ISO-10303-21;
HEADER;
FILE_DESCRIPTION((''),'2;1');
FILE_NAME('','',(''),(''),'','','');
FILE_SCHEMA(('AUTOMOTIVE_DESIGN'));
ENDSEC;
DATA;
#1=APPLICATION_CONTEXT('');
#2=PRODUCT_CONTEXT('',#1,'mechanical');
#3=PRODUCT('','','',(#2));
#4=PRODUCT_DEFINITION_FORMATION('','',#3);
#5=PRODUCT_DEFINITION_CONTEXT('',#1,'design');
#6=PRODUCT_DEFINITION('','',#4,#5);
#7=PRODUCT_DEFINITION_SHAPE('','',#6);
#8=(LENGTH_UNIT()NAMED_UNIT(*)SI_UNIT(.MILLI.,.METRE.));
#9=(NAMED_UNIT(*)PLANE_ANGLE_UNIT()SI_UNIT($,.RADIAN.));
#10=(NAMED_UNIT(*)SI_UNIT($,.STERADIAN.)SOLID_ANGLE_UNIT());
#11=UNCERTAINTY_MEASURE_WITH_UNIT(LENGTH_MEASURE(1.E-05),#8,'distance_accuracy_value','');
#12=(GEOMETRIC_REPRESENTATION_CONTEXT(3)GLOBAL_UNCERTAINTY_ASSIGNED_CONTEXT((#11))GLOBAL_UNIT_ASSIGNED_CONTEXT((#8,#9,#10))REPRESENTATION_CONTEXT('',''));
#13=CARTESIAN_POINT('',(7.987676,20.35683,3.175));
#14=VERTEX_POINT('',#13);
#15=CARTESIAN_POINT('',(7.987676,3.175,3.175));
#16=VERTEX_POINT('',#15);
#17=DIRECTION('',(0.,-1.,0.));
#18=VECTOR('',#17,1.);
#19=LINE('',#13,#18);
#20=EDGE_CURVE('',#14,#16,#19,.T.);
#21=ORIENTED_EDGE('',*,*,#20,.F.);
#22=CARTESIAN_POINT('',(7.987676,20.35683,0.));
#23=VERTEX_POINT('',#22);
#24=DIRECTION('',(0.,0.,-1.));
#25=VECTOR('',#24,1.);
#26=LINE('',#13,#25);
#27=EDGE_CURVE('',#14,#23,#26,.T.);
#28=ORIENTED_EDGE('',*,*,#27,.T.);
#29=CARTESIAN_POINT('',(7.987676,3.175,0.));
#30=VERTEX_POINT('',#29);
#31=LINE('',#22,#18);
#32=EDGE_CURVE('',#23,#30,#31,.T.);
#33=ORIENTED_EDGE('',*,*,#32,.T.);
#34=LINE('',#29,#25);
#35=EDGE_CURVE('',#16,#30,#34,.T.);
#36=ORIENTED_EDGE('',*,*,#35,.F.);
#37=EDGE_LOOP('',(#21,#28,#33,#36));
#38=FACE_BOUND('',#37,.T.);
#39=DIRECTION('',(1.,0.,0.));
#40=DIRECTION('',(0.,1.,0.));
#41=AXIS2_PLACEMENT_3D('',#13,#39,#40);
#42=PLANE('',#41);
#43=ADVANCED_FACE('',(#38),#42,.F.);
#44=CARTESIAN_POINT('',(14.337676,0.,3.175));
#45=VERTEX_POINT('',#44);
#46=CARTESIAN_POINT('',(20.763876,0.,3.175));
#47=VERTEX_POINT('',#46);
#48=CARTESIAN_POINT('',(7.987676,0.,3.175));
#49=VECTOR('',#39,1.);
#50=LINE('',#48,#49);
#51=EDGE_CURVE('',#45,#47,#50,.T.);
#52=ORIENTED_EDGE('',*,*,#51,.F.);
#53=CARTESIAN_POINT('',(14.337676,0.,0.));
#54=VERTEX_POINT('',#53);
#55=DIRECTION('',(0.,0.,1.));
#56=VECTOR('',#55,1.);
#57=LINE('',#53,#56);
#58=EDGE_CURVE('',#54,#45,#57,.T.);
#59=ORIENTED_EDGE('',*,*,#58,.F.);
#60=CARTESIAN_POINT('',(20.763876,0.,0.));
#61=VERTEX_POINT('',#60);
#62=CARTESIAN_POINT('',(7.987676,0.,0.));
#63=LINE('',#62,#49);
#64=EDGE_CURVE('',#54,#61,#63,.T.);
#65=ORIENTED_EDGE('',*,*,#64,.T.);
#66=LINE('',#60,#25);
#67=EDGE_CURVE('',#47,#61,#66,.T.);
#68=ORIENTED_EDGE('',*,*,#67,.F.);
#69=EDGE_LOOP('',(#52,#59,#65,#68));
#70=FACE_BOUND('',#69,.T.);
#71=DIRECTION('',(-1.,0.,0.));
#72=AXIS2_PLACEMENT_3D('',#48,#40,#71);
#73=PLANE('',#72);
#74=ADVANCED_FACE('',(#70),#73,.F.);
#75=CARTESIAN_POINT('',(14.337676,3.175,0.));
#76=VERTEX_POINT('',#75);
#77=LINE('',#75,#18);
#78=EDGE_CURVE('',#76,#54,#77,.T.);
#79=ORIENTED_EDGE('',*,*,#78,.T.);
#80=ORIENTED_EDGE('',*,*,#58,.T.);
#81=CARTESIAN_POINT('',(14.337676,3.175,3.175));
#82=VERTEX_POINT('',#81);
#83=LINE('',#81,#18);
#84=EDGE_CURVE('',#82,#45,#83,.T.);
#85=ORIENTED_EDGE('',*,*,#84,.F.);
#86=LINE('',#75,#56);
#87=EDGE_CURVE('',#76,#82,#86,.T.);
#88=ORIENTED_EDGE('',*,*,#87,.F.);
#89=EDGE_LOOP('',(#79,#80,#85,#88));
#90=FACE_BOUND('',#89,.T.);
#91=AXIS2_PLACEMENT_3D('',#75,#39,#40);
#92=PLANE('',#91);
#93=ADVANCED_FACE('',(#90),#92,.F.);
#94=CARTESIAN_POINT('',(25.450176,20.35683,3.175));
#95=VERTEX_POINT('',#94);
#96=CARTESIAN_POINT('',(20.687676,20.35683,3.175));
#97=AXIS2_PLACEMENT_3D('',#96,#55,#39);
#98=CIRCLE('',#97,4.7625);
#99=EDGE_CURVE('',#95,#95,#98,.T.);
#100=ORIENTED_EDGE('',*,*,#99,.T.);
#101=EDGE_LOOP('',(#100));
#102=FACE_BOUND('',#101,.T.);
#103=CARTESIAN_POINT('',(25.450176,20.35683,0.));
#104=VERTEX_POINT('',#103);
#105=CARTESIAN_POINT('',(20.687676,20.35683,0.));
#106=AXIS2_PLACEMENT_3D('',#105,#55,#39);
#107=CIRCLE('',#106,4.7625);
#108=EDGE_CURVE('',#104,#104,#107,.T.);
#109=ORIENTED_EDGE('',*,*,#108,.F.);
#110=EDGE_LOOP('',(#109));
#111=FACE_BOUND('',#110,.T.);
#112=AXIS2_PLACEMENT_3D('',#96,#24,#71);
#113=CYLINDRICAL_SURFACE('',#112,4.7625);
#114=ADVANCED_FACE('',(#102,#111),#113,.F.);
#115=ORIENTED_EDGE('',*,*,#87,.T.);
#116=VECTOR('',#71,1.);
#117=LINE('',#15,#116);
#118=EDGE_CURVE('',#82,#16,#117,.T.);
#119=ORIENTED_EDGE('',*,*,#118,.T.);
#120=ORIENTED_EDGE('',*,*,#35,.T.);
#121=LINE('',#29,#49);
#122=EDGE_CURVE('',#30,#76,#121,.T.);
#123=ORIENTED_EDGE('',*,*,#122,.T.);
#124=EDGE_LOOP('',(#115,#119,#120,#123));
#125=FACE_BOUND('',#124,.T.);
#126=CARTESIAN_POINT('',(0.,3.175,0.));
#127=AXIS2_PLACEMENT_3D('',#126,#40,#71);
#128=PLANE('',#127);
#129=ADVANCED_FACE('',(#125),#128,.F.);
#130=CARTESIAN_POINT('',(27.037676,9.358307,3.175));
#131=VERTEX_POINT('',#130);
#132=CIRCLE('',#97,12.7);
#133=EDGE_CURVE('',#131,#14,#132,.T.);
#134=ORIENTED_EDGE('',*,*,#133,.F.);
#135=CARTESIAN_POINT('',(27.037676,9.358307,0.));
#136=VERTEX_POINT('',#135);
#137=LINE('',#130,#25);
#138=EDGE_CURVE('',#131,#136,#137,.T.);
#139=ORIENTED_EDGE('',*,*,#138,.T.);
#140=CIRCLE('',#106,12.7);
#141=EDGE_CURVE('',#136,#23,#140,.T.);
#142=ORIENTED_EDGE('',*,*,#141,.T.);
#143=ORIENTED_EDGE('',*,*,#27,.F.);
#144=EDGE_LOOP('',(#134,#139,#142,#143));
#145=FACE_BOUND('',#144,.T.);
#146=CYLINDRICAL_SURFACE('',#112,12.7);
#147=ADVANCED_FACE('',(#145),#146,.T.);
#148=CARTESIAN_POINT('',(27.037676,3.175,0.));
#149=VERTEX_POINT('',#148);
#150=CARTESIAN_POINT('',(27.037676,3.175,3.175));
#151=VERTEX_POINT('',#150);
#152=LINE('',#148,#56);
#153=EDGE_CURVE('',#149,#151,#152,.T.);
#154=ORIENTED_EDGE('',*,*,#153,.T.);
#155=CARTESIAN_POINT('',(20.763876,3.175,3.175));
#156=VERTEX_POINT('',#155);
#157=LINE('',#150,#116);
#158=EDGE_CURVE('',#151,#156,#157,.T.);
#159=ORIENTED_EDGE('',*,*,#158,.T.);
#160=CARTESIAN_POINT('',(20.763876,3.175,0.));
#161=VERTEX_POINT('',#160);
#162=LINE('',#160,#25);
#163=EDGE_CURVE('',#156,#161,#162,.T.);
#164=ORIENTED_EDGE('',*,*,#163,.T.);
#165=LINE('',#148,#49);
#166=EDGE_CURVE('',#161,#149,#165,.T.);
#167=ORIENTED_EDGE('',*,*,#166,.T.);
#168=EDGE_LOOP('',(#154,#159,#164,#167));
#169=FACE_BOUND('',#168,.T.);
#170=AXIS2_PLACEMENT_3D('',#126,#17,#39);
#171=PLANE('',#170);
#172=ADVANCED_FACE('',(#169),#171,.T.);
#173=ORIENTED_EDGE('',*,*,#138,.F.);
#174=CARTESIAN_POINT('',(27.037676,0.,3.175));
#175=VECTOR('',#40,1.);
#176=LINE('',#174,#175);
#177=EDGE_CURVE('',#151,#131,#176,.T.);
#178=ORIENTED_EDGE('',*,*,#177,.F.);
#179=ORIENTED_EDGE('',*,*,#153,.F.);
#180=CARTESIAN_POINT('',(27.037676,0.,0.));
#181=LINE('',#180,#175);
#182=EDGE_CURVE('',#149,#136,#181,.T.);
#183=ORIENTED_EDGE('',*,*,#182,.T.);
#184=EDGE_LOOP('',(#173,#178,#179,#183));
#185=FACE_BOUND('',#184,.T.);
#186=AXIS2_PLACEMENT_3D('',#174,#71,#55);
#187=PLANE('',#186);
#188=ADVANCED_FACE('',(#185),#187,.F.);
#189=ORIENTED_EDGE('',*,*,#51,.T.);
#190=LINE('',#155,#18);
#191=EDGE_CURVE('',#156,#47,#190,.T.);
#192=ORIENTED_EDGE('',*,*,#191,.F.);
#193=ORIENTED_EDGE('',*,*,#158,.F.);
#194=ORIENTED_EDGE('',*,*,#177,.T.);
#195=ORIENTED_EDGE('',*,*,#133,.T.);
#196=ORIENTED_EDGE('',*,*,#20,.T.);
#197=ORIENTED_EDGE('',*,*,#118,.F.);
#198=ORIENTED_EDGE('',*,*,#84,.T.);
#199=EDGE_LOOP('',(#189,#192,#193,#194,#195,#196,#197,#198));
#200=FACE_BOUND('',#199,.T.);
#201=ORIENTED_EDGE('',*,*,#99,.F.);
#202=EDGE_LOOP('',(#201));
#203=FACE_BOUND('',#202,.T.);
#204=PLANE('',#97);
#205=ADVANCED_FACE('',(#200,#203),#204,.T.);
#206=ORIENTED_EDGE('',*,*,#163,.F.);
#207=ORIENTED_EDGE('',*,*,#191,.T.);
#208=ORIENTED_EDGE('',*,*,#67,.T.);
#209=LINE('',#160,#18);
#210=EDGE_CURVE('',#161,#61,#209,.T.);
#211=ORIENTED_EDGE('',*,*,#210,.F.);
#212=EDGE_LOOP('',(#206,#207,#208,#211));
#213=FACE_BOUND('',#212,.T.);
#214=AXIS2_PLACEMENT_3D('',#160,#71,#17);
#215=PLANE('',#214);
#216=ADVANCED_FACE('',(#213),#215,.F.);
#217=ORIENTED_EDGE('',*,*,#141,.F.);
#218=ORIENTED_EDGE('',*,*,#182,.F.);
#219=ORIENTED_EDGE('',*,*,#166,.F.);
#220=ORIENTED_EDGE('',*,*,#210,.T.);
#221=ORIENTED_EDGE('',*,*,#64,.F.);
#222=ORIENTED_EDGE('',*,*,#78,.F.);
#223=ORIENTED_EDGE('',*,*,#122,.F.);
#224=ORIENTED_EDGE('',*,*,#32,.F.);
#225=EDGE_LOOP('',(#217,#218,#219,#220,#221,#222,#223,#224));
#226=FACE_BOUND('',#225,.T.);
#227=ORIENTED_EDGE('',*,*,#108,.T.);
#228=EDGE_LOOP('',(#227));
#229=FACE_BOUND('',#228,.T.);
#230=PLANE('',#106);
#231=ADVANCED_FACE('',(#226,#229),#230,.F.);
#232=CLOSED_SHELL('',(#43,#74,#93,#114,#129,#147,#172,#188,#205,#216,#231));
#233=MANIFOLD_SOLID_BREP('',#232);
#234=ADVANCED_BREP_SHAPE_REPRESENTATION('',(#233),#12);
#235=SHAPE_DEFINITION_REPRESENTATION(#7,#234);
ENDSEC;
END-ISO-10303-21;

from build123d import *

# Parameters (mm, degrees)
SKETCH1_R           = 4.7625
BOSS_EXTRUDE1_DEPTH = 3.175
SKETCH2_W           = 6.35
SKETCH2_H           = 3.175
SKETCH2_W_2         = 6.2738
CUT_EXTRUDE1_DEPTH  = 3.175


with BuildPart() as part:
    # Sketch1 → Boss-Extrude1 (new body)
    with BuildSketch(Plane.XY):
        with BuildLine():
            Line((7.987675642, 20.35683), (7.987675642, 0))
            Line((7.987675642, 0), (27.037675642, 0))
            Line((27.037675642, 0), (27.037675642, 9.358307372))
            ThreePointArc((27.037675642, 9.358307372), (27.037675642, 31.355352628), (7.987675642, 20.35683))
        make_face()
        with Locations((20.687675642, 20.35683)):
            Circle(SKETCH1_R, mode=Mode.SUBTRACT)
    extrude(amount=BOSS_EXTRUDE1_DEPTH)

    # Sketch2 → Cut-Extrude1 (cut)
    with BuildSketch(Plane.XZ):
        with Locations((11.162675642, 1.5875)):
            Rectangle(SKETCH2_W, SKETCH2_H)
        with Locations((23.900775642, 1.5875)):
            Rectangle(SKETCH2_W_2, SKETCH2_H)
    extrude(amount=-CUT_EXTRUDE1_DEPTH, mode=Mode.SUBTRACT)


solid = part.part
